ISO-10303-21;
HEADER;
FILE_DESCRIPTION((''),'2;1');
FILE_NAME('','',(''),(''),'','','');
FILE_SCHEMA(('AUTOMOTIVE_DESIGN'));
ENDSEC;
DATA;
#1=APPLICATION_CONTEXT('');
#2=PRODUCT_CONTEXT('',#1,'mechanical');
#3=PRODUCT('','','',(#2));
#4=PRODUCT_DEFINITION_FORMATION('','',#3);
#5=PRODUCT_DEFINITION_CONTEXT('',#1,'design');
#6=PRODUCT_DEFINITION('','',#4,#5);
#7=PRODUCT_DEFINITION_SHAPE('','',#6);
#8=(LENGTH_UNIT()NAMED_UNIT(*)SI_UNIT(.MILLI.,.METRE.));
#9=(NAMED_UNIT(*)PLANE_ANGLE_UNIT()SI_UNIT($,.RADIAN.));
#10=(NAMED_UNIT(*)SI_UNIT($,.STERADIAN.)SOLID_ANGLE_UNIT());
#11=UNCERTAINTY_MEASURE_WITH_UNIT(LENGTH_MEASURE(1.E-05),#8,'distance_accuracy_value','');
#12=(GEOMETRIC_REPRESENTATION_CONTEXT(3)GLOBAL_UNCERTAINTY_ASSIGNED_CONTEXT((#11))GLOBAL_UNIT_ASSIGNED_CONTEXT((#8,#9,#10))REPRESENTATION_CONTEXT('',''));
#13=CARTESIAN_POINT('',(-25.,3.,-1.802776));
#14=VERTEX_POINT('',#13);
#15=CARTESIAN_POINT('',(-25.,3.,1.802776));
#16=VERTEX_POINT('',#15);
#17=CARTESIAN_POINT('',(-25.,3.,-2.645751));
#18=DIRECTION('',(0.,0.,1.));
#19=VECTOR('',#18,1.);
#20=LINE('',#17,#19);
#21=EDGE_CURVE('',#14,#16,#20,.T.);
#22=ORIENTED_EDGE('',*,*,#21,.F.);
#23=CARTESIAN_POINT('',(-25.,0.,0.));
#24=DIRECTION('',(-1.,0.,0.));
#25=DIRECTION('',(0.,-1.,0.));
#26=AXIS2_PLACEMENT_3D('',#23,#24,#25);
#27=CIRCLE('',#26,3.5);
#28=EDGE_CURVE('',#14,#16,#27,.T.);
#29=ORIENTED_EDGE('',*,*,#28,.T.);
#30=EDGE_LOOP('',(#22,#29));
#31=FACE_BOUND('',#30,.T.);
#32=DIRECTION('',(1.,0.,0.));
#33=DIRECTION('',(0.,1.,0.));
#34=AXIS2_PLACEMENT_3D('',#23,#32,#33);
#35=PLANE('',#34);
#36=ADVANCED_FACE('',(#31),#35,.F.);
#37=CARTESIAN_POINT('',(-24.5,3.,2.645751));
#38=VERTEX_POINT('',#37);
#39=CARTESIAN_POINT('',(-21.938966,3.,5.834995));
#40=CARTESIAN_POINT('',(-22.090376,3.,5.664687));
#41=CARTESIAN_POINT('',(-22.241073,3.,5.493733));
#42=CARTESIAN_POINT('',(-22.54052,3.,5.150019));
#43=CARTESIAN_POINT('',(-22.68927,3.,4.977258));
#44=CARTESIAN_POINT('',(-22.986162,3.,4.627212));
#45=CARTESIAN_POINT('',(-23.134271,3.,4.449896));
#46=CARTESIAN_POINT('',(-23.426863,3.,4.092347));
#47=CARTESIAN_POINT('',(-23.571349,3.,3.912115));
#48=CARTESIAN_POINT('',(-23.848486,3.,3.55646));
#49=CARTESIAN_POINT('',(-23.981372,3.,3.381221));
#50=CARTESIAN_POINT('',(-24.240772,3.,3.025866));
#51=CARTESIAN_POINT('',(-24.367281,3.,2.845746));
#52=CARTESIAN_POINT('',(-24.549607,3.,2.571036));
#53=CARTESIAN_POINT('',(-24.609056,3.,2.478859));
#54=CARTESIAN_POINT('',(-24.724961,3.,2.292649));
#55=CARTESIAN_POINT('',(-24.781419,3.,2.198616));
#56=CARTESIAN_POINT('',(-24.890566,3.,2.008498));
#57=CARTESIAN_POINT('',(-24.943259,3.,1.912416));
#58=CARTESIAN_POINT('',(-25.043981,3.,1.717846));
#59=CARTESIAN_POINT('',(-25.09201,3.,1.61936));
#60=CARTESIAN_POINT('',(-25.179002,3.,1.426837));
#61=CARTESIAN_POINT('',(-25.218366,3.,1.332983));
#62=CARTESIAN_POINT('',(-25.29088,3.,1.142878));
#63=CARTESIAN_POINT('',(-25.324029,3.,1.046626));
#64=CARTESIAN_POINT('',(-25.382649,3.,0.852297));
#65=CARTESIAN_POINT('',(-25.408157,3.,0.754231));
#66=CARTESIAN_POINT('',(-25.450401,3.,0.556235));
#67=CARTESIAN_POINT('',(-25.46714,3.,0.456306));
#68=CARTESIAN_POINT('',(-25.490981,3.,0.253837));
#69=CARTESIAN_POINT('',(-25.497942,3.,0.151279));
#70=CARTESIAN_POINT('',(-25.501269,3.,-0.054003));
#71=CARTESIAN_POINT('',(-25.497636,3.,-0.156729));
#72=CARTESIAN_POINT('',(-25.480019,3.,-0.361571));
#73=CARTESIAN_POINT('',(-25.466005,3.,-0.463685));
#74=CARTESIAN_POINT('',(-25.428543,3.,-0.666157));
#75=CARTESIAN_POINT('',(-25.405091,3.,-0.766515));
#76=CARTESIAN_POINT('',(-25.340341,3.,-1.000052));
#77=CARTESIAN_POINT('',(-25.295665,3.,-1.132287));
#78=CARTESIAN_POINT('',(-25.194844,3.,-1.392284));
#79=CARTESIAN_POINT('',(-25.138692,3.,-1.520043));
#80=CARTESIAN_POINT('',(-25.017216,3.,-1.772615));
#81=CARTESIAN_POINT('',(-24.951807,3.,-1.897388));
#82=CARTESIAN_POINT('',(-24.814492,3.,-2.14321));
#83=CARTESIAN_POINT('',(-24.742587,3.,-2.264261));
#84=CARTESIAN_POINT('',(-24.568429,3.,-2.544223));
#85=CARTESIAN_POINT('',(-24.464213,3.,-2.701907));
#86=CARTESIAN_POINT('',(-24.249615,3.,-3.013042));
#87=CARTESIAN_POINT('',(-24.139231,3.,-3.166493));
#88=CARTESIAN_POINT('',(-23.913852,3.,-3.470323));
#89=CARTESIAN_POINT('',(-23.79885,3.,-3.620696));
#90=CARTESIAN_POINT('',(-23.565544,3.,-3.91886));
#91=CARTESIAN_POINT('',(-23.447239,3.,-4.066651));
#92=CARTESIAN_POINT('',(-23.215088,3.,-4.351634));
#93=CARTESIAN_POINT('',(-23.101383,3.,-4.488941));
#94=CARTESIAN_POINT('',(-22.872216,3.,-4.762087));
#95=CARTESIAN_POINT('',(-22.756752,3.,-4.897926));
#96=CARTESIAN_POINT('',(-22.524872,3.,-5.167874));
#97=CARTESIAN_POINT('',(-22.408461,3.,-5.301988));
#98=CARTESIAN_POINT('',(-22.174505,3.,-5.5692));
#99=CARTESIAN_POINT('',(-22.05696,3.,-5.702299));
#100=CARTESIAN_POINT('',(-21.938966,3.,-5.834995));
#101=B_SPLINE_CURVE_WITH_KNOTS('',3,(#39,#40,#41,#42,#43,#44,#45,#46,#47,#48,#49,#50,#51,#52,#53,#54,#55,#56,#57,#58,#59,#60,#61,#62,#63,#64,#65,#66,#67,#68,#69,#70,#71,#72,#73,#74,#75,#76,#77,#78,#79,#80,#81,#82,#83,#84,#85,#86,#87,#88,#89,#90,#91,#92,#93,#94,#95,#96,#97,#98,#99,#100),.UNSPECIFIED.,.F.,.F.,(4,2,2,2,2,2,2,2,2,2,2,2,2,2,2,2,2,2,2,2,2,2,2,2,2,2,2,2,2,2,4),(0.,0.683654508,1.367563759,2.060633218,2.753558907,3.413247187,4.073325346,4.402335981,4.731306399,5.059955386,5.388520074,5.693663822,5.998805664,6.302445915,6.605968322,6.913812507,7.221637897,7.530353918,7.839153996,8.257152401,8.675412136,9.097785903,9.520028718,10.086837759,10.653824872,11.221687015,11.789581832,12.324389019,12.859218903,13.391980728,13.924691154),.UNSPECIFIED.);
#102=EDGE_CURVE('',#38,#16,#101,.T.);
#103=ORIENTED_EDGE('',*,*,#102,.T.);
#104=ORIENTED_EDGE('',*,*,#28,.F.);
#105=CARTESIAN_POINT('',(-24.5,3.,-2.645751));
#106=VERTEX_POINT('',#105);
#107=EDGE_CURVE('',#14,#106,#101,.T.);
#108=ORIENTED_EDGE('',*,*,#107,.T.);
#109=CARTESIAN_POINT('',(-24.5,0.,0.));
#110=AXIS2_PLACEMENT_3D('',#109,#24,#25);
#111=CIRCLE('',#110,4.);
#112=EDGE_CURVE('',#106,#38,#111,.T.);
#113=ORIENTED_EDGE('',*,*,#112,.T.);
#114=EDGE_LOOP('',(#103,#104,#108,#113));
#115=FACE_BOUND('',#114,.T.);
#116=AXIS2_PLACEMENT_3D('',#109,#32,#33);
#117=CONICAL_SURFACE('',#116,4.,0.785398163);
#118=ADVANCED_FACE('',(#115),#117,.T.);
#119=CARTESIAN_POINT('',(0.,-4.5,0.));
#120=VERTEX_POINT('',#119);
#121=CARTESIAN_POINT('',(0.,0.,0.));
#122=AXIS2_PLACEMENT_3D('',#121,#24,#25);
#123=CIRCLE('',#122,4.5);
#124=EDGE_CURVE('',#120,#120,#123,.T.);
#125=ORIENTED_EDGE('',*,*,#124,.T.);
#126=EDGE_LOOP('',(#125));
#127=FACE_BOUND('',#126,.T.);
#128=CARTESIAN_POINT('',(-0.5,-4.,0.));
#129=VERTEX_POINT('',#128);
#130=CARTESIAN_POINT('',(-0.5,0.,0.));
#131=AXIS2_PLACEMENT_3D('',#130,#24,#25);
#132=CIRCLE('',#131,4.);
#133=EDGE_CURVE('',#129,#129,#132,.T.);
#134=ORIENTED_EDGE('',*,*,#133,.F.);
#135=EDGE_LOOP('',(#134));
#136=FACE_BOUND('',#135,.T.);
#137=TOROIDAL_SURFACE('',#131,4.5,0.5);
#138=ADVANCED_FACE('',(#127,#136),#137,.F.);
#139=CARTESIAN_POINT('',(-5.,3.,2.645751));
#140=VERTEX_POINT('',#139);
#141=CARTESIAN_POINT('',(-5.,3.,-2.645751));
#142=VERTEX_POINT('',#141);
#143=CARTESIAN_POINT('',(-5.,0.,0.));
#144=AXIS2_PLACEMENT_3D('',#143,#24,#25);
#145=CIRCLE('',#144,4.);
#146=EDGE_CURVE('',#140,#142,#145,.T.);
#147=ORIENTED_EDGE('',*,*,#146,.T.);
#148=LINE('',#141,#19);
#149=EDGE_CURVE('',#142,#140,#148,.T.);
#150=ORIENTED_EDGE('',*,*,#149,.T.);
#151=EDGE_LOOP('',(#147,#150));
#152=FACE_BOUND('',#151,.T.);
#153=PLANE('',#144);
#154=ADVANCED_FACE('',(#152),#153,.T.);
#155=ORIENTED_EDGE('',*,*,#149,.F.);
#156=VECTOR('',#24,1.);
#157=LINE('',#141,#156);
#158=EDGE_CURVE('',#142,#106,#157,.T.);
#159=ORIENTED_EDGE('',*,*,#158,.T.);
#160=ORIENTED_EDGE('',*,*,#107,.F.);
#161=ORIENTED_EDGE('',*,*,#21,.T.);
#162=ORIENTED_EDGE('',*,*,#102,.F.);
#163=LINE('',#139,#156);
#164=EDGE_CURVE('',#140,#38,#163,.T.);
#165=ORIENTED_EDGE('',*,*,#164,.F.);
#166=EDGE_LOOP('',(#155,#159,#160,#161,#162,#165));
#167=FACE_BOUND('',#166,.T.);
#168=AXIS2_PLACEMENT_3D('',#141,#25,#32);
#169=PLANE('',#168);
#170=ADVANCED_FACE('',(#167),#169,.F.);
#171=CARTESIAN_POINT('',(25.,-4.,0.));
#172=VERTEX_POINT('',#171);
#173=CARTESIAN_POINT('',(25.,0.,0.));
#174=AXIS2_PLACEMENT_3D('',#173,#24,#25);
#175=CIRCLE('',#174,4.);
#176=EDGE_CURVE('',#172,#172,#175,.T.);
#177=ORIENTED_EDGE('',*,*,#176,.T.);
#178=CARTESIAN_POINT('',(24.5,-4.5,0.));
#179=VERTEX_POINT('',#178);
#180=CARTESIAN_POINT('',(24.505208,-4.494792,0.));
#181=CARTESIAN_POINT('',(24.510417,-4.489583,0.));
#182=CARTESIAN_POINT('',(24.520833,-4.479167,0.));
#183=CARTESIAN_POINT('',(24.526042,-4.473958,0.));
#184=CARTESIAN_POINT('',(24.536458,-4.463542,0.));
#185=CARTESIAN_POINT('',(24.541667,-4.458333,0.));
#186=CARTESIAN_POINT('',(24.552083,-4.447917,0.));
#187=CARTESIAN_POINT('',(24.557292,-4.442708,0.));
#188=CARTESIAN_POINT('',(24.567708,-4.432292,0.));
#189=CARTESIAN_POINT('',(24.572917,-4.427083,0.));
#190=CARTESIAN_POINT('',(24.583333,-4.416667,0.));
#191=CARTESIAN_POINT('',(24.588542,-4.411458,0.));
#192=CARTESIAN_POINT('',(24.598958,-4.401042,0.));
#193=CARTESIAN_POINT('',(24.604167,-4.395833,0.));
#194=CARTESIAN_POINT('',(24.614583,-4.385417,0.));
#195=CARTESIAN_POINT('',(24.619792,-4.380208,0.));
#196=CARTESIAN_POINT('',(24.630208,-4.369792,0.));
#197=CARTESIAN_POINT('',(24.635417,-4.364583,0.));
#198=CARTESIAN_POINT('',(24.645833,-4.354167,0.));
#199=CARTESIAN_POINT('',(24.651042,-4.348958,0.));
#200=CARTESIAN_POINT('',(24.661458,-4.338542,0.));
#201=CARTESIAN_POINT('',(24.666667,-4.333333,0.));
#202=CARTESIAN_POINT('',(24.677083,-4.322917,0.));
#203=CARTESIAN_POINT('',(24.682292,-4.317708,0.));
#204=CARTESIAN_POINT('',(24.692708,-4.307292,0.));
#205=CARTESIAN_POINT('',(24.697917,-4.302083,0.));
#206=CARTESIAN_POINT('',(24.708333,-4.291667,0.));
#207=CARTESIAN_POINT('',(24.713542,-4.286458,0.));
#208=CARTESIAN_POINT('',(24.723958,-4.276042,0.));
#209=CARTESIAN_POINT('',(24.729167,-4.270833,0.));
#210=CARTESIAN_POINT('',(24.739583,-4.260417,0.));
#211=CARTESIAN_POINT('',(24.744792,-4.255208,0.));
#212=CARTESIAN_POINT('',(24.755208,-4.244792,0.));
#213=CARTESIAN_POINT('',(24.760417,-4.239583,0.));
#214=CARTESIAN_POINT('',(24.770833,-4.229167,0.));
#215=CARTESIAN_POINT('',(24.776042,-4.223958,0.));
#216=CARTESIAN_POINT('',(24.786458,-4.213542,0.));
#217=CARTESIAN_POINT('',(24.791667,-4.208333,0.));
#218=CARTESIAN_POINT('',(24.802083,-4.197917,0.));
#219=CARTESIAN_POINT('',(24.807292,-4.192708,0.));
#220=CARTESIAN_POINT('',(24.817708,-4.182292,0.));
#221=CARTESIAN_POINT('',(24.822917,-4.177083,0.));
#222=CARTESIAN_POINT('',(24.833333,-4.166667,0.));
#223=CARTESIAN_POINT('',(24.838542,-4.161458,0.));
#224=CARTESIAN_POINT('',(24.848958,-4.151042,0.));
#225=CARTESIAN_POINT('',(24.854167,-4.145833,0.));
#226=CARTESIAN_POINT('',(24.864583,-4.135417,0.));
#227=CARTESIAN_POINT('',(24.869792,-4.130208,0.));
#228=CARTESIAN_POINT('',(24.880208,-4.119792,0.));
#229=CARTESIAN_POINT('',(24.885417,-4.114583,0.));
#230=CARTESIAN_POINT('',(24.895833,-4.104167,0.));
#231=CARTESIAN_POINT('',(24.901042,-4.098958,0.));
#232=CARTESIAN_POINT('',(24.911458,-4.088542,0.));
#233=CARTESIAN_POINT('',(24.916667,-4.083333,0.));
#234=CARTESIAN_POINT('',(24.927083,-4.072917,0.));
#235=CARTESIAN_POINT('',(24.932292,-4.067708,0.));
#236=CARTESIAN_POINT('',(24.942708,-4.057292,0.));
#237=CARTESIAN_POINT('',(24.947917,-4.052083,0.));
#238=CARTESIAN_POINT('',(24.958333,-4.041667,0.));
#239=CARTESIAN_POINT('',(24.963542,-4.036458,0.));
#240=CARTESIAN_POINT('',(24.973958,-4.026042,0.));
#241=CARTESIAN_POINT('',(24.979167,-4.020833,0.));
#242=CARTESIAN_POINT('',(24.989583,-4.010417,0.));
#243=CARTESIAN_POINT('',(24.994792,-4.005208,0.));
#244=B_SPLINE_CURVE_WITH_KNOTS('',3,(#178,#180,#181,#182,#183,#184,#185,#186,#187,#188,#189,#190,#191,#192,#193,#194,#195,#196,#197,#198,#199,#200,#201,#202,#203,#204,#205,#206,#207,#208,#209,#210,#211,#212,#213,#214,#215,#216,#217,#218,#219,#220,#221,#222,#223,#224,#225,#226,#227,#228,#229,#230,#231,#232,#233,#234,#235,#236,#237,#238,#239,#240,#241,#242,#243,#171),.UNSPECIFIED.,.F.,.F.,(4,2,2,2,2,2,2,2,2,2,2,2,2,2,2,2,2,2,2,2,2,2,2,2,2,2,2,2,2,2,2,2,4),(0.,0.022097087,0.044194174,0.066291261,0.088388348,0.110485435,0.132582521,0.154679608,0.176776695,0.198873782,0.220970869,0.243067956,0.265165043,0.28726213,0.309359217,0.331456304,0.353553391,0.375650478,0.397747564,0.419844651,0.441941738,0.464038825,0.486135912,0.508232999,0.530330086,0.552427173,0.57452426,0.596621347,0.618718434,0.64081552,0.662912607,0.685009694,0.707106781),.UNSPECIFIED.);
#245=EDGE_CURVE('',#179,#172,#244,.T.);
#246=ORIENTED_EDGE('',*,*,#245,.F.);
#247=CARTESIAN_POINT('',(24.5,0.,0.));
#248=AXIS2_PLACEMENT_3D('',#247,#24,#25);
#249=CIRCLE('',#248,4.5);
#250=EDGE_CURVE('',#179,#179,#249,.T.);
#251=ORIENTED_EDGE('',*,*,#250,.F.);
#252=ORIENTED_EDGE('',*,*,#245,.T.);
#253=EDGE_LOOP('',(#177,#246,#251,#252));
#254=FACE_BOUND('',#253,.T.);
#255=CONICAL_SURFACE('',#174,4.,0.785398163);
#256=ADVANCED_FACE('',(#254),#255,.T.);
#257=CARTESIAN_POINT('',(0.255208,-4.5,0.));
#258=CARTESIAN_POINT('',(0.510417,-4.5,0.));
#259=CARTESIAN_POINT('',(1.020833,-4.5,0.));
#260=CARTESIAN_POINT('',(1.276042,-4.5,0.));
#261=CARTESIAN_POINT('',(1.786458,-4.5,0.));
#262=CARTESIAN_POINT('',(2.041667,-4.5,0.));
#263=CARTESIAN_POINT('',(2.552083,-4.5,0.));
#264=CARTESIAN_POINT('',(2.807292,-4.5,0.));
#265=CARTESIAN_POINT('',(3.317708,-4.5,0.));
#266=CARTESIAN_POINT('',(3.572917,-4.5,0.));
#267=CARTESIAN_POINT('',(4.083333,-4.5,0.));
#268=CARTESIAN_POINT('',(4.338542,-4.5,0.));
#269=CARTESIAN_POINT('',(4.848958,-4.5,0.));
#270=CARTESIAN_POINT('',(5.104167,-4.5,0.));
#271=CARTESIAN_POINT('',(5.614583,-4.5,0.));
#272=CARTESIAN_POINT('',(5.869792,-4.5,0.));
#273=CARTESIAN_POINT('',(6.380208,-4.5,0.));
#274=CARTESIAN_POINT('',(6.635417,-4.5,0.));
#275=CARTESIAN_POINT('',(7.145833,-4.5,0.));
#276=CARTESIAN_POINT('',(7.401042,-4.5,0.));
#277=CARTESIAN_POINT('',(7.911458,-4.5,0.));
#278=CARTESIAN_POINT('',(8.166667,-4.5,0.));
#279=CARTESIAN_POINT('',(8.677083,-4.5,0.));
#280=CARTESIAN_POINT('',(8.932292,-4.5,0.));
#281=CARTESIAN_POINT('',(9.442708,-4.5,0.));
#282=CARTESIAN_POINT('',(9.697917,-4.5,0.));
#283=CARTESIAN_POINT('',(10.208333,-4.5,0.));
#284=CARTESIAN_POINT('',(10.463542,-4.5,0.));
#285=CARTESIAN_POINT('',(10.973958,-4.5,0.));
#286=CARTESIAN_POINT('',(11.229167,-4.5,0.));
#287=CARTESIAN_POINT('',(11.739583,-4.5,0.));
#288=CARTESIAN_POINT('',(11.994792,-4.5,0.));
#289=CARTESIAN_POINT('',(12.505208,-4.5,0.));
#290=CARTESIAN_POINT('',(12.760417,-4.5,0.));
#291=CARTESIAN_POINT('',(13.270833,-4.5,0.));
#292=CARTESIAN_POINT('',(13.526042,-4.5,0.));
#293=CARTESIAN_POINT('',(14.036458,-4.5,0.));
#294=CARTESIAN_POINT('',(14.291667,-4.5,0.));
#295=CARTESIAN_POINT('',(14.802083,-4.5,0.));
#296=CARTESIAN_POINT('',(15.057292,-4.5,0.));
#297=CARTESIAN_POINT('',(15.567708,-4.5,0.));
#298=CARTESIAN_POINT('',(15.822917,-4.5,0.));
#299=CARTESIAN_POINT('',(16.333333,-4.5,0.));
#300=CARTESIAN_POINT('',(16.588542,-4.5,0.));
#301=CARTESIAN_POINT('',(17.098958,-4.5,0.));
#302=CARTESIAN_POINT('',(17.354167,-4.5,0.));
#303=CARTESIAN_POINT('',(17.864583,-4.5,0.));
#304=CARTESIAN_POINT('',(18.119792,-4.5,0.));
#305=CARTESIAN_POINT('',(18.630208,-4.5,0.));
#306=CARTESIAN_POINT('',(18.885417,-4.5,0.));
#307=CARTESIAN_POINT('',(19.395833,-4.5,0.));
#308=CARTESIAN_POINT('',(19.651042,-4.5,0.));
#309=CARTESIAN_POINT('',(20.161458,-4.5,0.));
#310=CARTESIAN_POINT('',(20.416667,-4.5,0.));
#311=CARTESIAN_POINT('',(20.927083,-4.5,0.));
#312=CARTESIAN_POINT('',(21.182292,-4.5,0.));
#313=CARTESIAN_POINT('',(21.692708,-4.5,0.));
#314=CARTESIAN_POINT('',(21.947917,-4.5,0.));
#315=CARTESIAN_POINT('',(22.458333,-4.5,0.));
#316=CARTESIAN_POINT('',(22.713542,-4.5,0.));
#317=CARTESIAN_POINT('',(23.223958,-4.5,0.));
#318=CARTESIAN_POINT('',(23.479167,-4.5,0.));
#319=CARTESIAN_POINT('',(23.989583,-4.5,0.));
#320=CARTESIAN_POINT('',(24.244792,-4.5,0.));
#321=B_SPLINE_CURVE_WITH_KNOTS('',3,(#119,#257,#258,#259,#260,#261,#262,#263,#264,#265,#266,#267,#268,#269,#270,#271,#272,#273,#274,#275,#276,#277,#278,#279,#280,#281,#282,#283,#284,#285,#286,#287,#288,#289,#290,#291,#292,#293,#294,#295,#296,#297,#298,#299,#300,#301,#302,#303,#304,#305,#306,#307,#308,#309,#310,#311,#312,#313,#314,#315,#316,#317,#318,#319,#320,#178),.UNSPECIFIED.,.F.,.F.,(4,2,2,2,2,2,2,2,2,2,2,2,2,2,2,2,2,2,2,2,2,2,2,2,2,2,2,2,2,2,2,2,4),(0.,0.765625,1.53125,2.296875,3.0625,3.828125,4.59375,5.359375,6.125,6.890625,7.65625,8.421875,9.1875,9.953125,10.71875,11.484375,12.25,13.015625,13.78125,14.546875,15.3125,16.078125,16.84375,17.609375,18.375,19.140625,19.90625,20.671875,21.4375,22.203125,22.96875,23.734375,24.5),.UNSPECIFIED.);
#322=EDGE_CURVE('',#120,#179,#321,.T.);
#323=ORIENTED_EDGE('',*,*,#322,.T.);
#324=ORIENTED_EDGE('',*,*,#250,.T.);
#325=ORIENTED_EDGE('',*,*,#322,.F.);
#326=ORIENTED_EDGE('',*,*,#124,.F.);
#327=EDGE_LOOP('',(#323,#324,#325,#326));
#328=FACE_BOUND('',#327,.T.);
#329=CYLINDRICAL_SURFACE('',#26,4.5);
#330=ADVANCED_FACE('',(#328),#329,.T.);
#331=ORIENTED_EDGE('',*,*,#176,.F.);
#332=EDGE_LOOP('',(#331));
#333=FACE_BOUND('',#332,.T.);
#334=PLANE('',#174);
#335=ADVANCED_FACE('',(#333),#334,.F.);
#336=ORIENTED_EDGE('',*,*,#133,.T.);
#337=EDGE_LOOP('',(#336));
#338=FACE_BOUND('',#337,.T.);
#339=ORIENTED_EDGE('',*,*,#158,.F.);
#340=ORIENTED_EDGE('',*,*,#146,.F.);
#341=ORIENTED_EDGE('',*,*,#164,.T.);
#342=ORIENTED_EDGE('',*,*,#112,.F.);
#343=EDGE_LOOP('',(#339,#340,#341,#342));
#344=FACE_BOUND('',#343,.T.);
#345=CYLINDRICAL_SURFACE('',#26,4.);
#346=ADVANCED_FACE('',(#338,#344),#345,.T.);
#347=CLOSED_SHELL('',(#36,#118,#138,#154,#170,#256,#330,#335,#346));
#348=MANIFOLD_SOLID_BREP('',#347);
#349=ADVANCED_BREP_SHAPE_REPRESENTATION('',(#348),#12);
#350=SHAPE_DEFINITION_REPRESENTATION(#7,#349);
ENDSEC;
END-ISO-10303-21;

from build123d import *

# Parameters (mm, degrees)
CUT_EXTRUDE_1_DEPTH = 20


with BuildPart() as part:
    # 草图1 → 旋转1 (revolve)
    with BuildSketch(Plane.XY, mode=Mode.PRIVATE) as revolve_1_sk:
        with BuildLine():
            Line((25, 0), (25, 4))
            Line((25, 4), (24.5, 4.5))
            Line((24.5, 4.5), (0, 4.5))
            ThreePointArc((0, 4.5), (-0.146446609, 4.146446609), (-0.5, 4))
            Line((-0.5, 4), (-24.5, 4))
            Line((-24.5, 4), (-25, 3.5))
            Line((-25, 3.5), (-25, 0))
            Line((-25, 0), (25, 0))
        make_face()
    revolve(revolve_1_sk.sketch.rotate(Axis((-25, 0, 0), (1, 0, 0)), 180), axis=Axis((-25, 0, 0), (1, 0, 0)))

    # 草图2 → 切除-拉伸1 (cut)
    with BuildSketch(Plane.ZY.offset(25)):
        with BuildLine():
            Line((-2.645751311, 3), (2.645751311, 3))
            ThreePointArc((2.645751311, 3), (0, 4), (-2.645751311, 3))
        make_face()
    extrude(amount=-CUT_EXTRUDE_1_DEPTH, mode=Mode.SUBTRACT)


solid = part.part
